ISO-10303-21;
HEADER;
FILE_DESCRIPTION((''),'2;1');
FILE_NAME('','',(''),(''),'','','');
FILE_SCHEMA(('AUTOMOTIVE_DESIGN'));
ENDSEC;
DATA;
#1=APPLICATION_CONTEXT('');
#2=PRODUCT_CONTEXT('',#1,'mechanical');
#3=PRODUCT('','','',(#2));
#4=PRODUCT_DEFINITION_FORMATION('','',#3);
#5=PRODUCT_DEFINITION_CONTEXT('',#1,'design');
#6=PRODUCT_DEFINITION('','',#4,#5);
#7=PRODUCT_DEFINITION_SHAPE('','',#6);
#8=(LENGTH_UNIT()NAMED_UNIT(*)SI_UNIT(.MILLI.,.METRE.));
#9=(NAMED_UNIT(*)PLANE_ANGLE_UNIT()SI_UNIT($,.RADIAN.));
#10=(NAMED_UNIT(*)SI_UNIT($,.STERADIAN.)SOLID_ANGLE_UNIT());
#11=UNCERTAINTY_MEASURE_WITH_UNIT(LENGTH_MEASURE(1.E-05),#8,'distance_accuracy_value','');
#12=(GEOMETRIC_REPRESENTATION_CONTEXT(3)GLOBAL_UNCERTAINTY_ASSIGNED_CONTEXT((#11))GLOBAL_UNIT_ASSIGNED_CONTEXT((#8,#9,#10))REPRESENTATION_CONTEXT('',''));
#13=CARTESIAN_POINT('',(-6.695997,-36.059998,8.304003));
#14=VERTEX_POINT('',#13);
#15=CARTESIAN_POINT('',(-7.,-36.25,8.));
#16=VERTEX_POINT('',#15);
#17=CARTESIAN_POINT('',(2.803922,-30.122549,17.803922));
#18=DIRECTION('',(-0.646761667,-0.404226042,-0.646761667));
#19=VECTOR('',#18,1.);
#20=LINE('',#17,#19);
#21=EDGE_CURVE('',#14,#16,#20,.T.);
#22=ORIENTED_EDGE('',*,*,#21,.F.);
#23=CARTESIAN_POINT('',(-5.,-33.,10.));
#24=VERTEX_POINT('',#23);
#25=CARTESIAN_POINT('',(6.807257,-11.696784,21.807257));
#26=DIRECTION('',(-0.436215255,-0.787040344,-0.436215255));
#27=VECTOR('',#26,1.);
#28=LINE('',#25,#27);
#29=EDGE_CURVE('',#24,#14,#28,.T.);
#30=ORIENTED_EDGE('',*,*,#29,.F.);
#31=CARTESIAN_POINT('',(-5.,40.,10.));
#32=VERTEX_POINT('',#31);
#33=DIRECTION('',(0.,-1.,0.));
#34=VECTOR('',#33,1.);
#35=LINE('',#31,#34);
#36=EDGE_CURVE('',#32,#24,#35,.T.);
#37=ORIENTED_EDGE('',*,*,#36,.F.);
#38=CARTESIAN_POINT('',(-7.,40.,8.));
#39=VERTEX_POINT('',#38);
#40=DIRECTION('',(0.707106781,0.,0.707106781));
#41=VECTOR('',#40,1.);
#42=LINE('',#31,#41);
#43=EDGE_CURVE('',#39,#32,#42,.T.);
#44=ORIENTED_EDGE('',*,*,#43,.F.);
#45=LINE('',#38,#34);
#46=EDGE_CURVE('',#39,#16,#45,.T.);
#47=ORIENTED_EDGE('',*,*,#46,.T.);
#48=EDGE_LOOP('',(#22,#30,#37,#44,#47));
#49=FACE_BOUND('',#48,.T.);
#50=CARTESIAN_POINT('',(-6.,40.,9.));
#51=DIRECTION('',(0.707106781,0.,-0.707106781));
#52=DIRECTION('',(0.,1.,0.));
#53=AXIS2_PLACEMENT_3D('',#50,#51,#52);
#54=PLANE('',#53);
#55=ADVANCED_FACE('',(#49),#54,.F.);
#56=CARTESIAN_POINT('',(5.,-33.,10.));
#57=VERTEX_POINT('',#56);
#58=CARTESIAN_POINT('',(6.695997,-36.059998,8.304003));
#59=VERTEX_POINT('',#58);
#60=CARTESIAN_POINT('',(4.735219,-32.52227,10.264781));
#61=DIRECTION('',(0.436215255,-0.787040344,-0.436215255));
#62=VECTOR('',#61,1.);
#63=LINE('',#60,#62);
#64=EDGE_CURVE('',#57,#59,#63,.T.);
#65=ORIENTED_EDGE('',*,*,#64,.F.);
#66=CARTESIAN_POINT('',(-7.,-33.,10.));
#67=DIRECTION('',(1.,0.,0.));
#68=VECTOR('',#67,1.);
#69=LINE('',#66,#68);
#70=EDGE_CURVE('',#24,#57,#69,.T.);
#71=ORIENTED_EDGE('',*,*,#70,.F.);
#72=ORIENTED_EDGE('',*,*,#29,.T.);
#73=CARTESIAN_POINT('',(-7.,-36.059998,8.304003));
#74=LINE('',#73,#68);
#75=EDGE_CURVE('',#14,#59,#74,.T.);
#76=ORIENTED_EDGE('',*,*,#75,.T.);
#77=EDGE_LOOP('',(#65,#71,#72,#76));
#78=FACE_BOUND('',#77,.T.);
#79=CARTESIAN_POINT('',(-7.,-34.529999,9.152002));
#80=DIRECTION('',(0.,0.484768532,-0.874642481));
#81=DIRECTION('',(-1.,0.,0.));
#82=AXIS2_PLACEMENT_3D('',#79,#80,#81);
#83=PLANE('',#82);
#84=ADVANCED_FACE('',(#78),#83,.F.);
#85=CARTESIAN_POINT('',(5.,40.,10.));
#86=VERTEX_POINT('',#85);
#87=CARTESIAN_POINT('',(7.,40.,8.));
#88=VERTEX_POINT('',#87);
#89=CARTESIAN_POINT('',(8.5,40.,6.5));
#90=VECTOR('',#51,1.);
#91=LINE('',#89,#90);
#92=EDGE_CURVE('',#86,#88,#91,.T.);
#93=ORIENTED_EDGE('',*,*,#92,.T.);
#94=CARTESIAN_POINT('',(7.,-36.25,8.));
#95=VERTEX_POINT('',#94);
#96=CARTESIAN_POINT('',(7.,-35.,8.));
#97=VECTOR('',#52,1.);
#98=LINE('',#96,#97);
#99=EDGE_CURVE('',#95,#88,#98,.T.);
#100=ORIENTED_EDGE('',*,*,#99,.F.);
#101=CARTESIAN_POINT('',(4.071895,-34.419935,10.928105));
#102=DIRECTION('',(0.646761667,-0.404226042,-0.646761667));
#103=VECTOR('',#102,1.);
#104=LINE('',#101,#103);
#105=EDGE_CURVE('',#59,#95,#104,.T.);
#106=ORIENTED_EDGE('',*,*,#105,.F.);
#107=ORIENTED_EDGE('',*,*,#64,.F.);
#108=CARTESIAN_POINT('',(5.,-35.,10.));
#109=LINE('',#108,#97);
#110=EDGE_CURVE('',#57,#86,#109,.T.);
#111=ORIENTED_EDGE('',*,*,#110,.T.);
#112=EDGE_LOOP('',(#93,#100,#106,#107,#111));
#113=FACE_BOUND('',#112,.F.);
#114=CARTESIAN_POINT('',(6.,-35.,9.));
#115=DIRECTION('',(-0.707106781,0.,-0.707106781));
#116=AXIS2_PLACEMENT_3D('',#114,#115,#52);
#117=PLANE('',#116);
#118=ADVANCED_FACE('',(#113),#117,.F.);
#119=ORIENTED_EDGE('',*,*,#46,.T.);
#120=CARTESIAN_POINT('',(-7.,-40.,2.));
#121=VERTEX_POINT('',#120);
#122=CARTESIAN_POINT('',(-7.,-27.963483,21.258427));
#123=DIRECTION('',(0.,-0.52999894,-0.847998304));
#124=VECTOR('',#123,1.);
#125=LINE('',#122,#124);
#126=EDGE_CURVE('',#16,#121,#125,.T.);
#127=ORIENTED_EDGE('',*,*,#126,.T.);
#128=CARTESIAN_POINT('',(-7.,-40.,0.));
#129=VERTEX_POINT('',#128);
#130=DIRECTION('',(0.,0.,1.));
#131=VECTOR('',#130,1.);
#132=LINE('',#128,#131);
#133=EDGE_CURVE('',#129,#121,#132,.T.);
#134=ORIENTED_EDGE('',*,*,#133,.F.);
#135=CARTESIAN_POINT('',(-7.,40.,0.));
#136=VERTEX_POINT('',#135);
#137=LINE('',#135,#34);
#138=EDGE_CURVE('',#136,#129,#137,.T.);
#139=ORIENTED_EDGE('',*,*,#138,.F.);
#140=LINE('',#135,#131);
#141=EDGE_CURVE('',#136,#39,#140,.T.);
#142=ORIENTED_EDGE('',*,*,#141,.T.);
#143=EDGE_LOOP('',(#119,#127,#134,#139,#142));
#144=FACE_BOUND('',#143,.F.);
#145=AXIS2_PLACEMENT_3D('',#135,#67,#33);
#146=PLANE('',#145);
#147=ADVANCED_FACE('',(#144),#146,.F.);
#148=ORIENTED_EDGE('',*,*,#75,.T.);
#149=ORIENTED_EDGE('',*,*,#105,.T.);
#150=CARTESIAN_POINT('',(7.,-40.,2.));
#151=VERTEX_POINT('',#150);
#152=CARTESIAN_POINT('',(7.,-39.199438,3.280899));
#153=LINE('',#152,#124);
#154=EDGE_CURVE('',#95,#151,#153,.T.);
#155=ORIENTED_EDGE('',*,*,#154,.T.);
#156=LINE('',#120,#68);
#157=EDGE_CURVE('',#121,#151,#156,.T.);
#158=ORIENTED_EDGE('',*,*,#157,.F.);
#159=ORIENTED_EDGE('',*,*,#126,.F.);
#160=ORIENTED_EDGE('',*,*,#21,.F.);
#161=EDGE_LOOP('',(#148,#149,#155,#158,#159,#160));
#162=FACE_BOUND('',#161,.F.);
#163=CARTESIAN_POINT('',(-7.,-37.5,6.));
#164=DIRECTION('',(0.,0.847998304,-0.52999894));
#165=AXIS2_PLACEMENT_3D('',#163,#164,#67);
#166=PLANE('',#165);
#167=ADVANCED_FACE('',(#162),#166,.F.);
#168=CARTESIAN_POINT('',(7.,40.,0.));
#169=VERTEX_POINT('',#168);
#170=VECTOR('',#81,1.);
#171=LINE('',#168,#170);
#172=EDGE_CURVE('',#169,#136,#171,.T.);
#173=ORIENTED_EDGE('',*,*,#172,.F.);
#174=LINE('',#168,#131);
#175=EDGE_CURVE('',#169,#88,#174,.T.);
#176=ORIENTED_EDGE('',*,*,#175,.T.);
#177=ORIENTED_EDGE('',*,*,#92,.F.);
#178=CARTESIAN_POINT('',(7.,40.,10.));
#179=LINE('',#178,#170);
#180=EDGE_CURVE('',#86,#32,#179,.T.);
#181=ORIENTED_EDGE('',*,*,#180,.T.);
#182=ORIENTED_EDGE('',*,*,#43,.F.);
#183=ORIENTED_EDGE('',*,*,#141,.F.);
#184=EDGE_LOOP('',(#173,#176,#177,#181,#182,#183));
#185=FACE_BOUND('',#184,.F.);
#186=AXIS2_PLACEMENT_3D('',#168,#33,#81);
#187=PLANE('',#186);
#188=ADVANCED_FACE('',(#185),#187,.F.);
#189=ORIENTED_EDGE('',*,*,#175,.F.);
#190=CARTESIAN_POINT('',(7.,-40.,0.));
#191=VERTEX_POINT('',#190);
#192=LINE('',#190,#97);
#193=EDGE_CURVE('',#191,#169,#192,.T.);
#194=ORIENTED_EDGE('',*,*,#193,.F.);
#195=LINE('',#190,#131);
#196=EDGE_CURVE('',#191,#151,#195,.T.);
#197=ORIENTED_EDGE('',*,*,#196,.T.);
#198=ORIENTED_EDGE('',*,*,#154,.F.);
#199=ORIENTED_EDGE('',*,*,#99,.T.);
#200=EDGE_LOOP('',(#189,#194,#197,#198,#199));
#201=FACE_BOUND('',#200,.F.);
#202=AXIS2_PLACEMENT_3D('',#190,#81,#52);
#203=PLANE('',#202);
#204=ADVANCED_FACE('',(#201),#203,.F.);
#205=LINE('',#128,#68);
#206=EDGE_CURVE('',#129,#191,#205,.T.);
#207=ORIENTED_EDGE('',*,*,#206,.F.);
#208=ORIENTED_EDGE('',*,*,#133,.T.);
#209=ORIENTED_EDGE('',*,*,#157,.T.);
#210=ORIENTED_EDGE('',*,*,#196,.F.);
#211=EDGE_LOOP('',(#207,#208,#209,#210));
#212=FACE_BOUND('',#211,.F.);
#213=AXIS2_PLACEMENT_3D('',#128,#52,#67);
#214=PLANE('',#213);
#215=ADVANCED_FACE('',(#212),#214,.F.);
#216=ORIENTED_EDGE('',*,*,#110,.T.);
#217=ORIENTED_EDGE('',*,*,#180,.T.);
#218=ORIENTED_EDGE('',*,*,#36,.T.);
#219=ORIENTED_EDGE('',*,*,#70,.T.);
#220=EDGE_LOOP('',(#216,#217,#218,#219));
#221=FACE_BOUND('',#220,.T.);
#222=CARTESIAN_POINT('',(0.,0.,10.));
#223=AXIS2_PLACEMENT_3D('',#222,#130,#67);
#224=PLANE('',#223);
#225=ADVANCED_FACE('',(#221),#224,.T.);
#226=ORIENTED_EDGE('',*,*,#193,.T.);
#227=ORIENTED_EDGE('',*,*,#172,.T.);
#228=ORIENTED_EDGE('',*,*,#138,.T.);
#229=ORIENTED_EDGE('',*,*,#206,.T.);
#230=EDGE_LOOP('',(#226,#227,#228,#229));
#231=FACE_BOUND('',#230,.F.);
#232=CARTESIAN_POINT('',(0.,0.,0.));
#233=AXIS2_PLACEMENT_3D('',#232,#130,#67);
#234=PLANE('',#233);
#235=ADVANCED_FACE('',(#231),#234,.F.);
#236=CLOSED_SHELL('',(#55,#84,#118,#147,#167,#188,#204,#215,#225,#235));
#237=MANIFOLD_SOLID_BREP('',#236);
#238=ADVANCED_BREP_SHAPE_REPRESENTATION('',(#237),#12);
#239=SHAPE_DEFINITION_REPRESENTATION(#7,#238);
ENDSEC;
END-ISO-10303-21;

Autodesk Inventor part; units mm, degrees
ref_plane "YZ Plane" through (0, 0, 0) normal (1, 0, 0) x (0, 1, 0)
ref_plane "XZ Plane" through (0, 0, 0) normal (0, 1, 0) x (-1, 0, 0)
ref_plane "XY Plane" through (0, 0, 0) normal (0, 0, 1) x (1, 0, 0)
sketch "Sketch1" plane through (0, 0, 0) normal (0, 0, 1) x (1, 0, 0)
  line L0 (-7, -40) -> (7, -40)
  line L1 (7, -40) -> (7, 40)
  line L2 (7, 40) -> (-7, 40)
  line L3 (-7, 40) -> (-7, -40)
  line L4 (-7, -40) -> (7, 40) construction
  line L5 (7, -40) -> (-7, 40) construction
  point P0 (0, 0)
  dimension "d0" = 14
  dimension "d1" = 80
extrude "Extrusion1" add sketch "Sketch1" along normal blind 10
chamfer "Chamfer1" distance 5 distance2 8 1 edges at (0, -40, 10) measured on face at (-2.3333, 13.3333, 10)
chamfer "Chamfer2" distance 2 angle 45 3 edges at (7, 2.5, 10) (-7, 2.5, 10) (0, -35, 10)
equation "\"d0\" = 2 * blackkey_halfwidth"
equation "\"d1\" = blackkey_length"
equation "\"d2\" = 0.5 * key_height"
equation "\"blackkey_halfwidth\" = 7"
equation "\"blackkey_length\" = 80"
equation "\"key_height\" = 20"
properties part number "key_black"
